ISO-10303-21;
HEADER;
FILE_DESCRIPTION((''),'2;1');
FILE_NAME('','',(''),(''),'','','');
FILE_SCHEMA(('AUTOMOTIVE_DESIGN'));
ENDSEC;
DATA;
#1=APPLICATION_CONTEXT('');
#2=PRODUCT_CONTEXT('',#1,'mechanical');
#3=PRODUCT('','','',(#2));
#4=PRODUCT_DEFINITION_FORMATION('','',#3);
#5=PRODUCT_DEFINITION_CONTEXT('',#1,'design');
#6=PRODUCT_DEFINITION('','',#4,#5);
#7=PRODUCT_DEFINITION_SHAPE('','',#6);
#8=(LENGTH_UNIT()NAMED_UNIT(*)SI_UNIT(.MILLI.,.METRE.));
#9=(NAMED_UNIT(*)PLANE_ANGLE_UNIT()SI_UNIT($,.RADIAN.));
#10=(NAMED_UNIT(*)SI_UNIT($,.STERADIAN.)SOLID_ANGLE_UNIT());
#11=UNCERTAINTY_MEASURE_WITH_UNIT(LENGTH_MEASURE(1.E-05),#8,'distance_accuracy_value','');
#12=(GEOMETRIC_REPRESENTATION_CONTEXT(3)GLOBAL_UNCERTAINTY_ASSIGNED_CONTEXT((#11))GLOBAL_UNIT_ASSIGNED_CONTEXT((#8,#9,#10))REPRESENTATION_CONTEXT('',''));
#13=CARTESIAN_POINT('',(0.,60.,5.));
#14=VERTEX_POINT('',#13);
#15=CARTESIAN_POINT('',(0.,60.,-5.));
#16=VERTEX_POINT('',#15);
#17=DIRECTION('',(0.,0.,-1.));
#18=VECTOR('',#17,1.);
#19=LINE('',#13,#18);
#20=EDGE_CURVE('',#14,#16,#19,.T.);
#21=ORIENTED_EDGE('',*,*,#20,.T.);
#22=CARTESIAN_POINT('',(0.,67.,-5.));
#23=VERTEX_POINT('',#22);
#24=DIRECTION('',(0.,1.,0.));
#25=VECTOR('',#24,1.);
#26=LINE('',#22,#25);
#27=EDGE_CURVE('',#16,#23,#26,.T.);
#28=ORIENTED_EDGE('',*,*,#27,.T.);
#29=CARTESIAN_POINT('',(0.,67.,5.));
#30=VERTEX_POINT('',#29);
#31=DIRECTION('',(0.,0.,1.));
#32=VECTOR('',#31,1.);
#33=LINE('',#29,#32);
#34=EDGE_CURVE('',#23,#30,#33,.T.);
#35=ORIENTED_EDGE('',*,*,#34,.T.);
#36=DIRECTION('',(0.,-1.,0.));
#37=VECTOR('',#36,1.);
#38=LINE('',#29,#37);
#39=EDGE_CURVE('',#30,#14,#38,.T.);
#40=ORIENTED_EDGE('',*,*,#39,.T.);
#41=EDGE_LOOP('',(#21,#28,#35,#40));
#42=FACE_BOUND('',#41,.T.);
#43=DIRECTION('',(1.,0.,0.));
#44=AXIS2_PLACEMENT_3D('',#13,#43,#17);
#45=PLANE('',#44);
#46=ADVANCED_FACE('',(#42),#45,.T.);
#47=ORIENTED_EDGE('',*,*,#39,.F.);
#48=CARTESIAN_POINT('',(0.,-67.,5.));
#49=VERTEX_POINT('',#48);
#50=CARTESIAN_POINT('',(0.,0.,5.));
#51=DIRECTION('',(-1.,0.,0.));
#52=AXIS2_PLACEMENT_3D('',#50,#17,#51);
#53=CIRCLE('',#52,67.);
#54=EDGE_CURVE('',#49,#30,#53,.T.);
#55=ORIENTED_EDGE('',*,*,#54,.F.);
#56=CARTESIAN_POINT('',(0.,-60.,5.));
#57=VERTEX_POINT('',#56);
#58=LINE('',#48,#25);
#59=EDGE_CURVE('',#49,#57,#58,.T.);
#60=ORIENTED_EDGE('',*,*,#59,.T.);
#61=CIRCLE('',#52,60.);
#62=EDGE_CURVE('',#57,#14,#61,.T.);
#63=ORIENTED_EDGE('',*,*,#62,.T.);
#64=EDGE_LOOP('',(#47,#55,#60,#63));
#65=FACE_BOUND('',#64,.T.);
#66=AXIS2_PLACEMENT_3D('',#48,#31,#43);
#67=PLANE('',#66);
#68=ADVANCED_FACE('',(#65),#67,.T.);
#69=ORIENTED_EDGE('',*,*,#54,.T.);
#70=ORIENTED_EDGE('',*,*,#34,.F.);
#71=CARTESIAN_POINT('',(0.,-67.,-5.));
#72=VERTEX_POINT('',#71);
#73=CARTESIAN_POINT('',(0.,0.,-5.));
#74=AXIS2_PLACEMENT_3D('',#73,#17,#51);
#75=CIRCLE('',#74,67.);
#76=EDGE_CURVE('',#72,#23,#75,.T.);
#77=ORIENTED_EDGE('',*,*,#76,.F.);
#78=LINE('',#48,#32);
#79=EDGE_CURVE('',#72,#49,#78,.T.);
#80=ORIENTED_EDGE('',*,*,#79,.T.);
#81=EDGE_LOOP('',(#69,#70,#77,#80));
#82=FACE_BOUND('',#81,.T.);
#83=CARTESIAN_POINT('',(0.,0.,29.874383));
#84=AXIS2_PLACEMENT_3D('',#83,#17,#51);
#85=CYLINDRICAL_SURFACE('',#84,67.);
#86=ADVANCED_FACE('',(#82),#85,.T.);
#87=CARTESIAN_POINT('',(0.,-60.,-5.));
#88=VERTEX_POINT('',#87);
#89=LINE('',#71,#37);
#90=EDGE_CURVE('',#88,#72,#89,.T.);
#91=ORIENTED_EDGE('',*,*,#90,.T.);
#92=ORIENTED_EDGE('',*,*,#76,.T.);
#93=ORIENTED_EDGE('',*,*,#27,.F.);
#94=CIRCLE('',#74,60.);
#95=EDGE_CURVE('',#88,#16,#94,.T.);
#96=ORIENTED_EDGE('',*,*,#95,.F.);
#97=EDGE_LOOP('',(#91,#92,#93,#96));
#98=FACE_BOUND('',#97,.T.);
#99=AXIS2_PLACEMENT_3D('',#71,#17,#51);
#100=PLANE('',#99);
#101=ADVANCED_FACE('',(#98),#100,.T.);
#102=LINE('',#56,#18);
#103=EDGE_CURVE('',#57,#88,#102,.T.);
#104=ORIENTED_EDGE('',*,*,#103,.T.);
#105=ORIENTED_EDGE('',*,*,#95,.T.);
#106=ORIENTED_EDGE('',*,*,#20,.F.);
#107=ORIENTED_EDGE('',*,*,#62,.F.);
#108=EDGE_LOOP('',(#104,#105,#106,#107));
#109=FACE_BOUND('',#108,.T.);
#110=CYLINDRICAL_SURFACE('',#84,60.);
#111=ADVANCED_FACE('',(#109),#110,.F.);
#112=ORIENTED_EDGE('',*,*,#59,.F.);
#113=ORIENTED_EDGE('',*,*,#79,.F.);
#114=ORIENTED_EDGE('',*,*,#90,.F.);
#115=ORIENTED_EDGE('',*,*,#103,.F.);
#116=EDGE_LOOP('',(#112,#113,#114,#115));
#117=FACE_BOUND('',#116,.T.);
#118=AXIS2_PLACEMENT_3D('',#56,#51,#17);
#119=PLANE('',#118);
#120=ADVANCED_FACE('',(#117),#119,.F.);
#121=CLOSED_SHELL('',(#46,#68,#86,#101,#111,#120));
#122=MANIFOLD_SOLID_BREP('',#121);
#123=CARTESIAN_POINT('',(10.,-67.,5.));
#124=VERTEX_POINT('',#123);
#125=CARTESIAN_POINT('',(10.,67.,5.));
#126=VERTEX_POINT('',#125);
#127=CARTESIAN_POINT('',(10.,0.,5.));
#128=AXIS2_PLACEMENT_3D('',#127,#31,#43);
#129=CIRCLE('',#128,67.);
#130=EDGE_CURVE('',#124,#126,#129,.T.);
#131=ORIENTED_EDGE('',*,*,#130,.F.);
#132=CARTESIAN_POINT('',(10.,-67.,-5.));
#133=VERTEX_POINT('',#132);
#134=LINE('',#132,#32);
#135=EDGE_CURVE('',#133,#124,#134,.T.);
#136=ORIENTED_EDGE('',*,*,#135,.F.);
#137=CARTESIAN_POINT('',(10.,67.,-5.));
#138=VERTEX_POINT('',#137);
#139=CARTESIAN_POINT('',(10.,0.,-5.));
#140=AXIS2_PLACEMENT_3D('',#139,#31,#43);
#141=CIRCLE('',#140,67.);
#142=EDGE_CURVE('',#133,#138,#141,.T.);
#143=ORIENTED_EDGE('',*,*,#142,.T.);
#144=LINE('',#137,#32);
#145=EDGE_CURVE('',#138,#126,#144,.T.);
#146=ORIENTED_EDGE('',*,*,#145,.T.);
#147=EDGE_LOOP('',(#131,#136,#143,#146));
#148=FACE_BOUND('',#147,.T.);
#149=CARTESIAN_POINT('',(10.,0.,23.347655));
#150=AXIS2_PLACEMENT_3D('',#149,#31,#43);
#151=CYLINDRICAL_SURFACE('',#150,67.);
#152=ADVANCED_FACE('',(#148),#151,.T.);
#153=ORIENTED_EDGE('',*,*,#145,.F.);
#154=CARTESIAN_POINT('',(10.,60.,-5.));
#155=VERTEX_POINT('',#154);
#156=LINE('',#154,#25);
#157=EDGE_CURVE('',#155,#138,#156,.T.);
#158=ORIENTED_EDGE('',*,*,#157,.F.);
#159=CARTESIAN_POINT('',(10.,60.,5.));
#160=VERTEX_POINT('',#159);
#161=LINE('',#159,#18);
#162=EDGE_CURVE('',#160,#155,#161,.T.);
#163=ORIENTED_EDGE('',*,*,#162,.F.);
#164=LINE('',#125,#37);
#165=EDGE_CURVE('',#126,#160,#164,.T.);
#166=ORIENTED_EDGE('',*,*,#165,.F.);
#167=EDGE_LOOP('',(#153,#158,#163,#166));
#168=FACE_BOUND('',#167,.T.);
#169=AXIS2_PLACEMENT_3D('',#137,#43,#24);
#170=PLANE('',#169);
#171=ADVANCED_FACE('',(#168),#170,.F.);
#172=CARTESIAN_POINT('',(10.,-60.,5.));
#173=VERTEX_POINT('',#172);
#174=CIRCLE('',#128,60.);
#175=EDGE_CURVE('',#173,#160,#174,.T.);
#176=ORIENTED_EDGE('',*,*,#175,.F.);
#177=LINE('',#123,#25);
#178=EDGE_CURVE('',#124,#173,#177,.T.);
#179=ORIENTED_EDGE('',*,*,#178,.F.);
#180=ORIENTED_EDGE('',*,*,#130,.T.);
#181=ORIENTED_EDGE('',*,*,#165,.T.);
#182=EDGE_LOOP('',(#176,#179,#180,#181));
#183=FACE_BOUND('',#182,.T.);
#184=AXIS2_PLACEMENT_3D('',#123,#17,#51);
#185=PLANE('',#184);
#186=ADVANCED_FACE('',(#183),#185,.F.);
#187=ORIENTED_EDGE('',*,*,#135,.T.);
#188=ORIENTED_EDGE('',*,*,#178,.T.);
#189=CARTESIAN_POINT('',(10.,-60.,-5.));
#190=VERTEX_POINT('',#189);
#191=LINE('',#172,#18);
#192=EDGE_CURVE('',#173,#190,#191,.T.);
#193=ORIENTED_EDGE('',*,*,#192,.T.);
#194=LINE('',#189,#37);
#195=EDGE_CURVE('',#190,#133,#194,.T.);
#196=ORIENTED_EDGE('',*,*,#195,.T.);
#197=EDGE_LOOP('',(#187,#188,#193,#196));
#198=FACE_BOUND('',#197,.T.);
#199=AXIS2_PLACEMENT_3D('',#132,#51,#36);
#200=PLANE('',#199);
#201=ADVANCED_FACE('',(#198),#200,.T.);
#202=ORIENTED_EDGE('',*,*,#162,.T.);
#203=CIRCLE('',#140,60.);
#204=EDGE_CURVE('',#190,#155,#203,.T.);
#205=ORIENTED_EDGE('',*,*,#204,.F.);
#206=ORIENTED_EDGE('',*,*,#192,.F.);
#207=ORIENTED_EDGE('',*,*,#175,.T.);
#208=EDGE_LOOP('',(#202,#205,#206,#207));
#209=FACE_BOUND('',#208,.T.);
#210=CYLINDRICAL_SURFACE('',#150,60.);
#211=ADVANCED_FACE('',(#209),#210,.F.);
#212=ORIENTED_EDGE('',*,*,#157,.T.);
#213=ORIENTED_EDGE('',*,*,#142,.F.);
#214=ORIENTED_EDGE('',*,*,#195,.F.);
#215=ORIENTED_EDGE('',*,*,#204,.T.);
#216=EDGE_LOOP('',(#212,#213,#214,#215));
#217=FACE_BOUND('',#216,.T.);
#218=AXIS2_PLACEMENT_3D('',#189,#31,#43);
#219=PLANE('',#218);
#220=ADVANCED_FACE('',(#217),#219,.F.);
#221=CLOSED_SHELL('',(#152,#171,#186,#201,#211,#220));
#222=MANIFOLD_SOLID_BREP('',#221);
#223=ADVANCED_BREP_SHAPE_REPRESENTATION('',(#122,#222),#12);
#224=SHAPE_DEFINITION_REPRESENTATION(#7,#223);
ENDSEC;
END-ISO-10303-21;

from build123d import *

# Parameters (mm, degrees)
SKETCH1_W      = 10
SKETCH1_H      = 7
REVOLVE1_ANGLE = 180
SKETCH4_W      = 10
SKETCH4_H      = 7
REVOLVE3_ANGLE = 180


with BuildPart() as part:
    # Sketch1 → Revolve1 (revolve)
    with BuildSketch(Plane(origin=(0, 0, 0), x_dir=(0, 0, -1), z_dir=(1, 0, 0))):
        with Locations((0, 63.5)):
            Rectangle(SKETCH1_W, SKETCH1_H)
    revolve(axis=Axis((0, 0, 29.874383247), (0, 0, 1)), revolution_arc=REVOLVE1_ANGLE)


with BuildPart() as body_2:
    # Sketch4 → Revolve3 (revolve)
    with BuildSketch(Plane(origin=(10, 0, 0), x_dir=(0, 0, -1), z_dir=(1, 0, 0))):
        with Locations((0, 63.5)):
            Rectangle(SKETCH4_W, SKETCH4_H)
    revolve(axis=Axis((10, 0, 23.347655249), (0, 0, -1)), revolution_arc=REVOLVE3_ANGLE)


solid = Compound([part.part, body_2.part])
